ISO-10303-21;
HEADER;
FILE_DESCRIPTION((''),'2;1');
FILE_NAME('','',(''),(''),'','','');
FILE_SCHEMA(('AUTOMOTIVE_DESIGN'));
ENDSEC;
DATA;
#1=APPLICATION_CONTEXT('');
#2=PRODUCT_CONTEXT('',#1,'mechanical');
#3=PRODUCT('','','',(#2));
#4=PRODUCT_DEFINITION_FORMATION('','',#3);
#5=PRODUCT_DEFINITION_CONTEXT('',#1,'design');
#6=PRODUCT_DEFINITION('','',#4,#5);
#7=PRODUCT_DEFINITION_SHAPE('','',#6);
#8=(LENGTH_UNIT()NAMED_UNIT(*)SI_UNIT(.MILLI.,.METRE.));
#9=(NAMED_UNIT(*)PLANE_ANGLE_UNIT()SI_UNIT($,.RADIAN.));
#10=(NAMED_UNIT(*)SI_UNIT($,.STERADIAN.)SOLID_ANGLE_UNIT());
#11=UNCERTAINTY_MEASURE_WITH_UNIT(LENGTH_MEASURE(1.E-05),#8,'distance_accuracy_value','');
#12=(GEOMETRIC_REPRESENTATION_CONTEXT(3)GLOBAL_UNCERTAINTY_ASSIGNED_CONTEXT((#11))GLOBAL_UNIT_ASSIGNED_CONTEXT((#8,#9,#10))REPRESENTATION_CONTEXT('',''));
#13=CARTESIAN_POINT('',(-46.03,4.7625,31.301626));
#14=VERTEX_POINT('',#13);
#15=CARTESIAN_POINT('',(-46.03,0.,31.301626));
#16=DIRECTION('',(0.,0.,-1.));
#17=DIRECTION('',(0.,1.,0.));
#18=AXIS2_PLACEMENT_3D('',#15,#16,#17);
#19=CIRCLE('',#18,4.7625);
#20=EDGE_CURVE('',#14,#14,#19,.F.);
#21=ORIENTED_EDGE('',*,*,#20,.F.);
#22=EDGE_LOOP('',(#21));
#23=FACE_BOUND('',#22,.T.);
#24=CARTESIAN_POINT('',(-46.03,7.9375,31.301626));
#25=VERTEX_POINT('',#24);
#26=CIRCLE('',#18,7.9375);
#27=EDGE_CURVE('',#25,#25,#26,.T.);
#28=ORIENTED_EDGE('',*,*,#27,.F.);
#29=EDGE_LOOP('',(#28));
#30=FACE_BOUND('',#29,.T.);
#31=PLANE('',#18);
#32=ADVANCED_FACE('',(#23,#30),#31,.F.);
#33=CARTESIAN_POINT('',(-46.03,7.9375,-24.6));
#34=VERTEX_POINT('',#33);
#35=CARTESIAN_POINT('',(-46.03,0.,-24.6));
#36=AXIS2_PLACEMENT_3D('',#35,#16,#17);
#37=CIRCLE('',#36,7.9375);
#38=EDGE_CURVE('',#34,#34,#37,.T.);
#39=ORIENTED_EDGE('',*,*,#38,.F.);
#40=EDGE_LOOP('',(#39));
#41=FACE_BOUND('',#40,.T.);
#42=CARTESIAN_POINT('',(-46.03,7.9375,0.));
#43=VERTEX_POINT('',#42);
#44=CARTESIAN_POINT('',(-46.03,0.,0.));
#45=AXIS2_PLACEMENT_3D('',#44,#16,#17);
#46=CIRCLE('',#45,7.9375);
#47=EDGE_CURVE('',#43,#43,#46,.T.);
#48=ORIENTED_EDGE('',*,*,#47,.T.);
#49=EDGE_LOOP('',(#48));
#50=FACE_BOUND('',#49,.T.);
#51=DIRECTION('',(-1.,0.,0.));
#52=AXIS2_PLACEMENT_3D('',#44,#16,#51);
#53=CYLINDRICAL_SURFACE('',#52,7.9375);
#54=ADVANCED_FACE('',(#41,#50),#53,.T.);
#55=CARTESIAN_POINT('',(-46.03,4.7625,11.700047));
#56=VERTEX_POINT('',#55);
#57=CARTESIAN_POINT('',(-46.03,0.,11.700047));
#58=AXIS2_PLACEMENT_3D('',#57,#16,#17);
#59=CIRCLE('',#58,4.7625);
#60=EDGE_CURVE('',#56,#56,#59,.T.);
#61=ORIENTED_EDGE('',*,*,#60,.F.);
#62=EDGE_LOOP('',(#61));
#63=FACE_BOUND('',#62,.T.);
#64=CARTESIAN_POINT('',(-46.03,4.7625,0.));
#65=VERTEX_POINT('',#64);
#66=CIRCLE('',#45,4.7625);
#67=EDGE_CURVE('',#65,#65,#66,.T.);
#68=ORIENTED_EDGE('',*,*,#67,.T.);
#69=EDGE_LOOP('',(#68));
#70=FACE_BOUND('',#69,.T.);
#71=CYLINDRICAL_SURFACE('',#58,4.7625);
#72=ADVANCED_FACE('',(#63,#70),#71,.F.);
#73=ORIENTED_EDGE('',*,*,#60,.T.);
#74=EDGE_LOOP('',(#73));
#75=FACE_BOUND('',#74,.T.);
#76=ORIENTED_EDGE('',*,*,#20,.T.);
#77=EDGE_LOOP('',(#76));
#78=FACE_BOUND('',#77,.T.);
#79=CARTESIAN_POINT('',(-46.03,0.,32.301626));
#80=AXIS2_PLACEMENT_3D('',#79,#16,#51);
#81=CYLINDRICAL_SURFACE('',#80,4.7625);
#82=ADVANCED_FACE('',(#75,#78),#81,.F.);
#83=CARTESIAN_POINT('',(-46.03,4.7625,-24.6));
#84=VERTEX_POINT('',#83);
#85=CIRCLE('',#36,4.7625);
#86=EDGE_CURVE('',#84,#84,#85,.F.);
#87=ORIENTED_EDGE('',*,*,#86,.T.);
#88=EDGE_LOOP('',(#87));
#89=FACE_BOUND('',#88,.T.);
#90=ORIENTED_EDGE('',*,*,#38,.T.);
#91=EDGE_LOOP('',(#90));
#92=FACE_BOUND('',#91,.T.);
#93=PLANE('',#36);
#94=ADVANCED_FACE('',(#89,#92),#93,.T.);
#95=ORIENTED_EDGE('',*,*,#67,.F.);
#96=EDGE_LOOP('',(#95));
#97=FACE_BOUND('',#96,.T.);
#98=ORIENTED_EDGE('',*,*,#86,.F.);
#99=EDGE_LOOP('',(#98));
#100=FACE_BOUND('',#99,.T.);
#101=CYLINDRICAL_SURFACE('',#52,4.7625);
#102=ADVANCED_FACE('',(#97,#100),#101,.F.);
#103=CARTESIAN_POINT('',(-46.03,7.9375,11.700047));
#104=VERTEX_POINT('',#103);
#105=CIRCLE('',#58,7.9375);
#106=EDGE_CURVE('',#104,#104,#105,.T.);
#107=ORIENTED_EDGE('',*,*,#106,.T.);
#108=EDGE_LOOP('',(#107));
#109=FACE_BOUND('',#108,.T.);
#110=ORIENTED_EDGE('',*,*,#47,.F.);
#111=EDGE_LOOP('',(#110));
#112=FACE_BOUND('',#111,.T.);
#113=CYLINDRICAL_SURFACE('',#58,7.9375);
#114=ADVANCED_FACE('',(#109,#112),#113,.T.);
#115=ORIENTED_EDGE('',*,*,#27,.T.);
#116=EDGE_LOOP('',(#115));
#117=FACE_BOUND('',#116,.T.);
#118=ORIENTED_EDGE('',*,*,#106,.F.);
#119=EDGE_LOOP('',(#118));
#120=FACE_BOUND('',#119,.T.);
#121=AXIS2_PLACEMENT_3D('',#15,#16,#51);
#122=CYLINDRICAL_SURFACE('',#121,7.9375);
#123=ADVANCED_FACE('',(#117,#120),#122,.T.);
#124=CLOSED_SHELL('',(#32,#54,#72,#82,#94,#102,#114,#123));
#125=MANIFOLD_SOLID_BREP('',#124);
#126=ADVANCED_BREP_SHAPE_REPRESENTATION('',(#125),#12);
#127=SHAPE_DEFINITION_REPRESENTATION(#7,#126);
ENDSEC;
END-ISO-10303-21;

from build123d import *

# Parameters (mm, degrees)
SWEEP1_PROFILE_R     = 7.9375
CUT_SWEEP1_PROFILE_R = 4.7625


with BuildPart() as part:
    # Sweep1: sweep along a curve in space
    with BuildLine() as sweep1_path:
        Line((-46.03, 0, -24.6), (-46.03, 0, 0))
        Line((-46.03, 0, 0), (-46.03, 0, 11.700046958))
        Line((-46.03, 0, 31.301626468), (-46.03, 0, 11.700046958))
    # Sweep1 profile (on start of the path) → Sweep1 (sweep)
    with BuildSketch(Plane(origin=(-46.03, 0, -24.6), x_dir=(1, 0, 0), z_dir=(0, 0, 1))):
        Circle(SWEEP1_PROFILE_R)
    sweep(path=sweep1_path.line)

    # Cut-Sweep1: sweep along a curve in space
    with BuildLine() as cut_sweep1_path:
        Line((-46.03, 0, -24.6), (-46.03, 0, 0))
        Line((-46.03, 0, 0), (-46.03, 0, 11.700046958))
        Line((-46.03, 0, 31.301626468), (-46.03, 0, 11.700046958))
    # Cut-Sweep1 profile (on start of the path) → Cut-Sweep1 (sweep, cut)
    with BuildSketch(Plane(origin=(-46.03, 0, -24.6), x_dir=(1, 0, 0), z_dir=(0, 0, 1))):
        Circle(CUT_SWEEP1_PROFILE_R)
    sweep(path=cut_sweep1_path.line, mode=Mode.SUBTRACT)


solid = part.part
